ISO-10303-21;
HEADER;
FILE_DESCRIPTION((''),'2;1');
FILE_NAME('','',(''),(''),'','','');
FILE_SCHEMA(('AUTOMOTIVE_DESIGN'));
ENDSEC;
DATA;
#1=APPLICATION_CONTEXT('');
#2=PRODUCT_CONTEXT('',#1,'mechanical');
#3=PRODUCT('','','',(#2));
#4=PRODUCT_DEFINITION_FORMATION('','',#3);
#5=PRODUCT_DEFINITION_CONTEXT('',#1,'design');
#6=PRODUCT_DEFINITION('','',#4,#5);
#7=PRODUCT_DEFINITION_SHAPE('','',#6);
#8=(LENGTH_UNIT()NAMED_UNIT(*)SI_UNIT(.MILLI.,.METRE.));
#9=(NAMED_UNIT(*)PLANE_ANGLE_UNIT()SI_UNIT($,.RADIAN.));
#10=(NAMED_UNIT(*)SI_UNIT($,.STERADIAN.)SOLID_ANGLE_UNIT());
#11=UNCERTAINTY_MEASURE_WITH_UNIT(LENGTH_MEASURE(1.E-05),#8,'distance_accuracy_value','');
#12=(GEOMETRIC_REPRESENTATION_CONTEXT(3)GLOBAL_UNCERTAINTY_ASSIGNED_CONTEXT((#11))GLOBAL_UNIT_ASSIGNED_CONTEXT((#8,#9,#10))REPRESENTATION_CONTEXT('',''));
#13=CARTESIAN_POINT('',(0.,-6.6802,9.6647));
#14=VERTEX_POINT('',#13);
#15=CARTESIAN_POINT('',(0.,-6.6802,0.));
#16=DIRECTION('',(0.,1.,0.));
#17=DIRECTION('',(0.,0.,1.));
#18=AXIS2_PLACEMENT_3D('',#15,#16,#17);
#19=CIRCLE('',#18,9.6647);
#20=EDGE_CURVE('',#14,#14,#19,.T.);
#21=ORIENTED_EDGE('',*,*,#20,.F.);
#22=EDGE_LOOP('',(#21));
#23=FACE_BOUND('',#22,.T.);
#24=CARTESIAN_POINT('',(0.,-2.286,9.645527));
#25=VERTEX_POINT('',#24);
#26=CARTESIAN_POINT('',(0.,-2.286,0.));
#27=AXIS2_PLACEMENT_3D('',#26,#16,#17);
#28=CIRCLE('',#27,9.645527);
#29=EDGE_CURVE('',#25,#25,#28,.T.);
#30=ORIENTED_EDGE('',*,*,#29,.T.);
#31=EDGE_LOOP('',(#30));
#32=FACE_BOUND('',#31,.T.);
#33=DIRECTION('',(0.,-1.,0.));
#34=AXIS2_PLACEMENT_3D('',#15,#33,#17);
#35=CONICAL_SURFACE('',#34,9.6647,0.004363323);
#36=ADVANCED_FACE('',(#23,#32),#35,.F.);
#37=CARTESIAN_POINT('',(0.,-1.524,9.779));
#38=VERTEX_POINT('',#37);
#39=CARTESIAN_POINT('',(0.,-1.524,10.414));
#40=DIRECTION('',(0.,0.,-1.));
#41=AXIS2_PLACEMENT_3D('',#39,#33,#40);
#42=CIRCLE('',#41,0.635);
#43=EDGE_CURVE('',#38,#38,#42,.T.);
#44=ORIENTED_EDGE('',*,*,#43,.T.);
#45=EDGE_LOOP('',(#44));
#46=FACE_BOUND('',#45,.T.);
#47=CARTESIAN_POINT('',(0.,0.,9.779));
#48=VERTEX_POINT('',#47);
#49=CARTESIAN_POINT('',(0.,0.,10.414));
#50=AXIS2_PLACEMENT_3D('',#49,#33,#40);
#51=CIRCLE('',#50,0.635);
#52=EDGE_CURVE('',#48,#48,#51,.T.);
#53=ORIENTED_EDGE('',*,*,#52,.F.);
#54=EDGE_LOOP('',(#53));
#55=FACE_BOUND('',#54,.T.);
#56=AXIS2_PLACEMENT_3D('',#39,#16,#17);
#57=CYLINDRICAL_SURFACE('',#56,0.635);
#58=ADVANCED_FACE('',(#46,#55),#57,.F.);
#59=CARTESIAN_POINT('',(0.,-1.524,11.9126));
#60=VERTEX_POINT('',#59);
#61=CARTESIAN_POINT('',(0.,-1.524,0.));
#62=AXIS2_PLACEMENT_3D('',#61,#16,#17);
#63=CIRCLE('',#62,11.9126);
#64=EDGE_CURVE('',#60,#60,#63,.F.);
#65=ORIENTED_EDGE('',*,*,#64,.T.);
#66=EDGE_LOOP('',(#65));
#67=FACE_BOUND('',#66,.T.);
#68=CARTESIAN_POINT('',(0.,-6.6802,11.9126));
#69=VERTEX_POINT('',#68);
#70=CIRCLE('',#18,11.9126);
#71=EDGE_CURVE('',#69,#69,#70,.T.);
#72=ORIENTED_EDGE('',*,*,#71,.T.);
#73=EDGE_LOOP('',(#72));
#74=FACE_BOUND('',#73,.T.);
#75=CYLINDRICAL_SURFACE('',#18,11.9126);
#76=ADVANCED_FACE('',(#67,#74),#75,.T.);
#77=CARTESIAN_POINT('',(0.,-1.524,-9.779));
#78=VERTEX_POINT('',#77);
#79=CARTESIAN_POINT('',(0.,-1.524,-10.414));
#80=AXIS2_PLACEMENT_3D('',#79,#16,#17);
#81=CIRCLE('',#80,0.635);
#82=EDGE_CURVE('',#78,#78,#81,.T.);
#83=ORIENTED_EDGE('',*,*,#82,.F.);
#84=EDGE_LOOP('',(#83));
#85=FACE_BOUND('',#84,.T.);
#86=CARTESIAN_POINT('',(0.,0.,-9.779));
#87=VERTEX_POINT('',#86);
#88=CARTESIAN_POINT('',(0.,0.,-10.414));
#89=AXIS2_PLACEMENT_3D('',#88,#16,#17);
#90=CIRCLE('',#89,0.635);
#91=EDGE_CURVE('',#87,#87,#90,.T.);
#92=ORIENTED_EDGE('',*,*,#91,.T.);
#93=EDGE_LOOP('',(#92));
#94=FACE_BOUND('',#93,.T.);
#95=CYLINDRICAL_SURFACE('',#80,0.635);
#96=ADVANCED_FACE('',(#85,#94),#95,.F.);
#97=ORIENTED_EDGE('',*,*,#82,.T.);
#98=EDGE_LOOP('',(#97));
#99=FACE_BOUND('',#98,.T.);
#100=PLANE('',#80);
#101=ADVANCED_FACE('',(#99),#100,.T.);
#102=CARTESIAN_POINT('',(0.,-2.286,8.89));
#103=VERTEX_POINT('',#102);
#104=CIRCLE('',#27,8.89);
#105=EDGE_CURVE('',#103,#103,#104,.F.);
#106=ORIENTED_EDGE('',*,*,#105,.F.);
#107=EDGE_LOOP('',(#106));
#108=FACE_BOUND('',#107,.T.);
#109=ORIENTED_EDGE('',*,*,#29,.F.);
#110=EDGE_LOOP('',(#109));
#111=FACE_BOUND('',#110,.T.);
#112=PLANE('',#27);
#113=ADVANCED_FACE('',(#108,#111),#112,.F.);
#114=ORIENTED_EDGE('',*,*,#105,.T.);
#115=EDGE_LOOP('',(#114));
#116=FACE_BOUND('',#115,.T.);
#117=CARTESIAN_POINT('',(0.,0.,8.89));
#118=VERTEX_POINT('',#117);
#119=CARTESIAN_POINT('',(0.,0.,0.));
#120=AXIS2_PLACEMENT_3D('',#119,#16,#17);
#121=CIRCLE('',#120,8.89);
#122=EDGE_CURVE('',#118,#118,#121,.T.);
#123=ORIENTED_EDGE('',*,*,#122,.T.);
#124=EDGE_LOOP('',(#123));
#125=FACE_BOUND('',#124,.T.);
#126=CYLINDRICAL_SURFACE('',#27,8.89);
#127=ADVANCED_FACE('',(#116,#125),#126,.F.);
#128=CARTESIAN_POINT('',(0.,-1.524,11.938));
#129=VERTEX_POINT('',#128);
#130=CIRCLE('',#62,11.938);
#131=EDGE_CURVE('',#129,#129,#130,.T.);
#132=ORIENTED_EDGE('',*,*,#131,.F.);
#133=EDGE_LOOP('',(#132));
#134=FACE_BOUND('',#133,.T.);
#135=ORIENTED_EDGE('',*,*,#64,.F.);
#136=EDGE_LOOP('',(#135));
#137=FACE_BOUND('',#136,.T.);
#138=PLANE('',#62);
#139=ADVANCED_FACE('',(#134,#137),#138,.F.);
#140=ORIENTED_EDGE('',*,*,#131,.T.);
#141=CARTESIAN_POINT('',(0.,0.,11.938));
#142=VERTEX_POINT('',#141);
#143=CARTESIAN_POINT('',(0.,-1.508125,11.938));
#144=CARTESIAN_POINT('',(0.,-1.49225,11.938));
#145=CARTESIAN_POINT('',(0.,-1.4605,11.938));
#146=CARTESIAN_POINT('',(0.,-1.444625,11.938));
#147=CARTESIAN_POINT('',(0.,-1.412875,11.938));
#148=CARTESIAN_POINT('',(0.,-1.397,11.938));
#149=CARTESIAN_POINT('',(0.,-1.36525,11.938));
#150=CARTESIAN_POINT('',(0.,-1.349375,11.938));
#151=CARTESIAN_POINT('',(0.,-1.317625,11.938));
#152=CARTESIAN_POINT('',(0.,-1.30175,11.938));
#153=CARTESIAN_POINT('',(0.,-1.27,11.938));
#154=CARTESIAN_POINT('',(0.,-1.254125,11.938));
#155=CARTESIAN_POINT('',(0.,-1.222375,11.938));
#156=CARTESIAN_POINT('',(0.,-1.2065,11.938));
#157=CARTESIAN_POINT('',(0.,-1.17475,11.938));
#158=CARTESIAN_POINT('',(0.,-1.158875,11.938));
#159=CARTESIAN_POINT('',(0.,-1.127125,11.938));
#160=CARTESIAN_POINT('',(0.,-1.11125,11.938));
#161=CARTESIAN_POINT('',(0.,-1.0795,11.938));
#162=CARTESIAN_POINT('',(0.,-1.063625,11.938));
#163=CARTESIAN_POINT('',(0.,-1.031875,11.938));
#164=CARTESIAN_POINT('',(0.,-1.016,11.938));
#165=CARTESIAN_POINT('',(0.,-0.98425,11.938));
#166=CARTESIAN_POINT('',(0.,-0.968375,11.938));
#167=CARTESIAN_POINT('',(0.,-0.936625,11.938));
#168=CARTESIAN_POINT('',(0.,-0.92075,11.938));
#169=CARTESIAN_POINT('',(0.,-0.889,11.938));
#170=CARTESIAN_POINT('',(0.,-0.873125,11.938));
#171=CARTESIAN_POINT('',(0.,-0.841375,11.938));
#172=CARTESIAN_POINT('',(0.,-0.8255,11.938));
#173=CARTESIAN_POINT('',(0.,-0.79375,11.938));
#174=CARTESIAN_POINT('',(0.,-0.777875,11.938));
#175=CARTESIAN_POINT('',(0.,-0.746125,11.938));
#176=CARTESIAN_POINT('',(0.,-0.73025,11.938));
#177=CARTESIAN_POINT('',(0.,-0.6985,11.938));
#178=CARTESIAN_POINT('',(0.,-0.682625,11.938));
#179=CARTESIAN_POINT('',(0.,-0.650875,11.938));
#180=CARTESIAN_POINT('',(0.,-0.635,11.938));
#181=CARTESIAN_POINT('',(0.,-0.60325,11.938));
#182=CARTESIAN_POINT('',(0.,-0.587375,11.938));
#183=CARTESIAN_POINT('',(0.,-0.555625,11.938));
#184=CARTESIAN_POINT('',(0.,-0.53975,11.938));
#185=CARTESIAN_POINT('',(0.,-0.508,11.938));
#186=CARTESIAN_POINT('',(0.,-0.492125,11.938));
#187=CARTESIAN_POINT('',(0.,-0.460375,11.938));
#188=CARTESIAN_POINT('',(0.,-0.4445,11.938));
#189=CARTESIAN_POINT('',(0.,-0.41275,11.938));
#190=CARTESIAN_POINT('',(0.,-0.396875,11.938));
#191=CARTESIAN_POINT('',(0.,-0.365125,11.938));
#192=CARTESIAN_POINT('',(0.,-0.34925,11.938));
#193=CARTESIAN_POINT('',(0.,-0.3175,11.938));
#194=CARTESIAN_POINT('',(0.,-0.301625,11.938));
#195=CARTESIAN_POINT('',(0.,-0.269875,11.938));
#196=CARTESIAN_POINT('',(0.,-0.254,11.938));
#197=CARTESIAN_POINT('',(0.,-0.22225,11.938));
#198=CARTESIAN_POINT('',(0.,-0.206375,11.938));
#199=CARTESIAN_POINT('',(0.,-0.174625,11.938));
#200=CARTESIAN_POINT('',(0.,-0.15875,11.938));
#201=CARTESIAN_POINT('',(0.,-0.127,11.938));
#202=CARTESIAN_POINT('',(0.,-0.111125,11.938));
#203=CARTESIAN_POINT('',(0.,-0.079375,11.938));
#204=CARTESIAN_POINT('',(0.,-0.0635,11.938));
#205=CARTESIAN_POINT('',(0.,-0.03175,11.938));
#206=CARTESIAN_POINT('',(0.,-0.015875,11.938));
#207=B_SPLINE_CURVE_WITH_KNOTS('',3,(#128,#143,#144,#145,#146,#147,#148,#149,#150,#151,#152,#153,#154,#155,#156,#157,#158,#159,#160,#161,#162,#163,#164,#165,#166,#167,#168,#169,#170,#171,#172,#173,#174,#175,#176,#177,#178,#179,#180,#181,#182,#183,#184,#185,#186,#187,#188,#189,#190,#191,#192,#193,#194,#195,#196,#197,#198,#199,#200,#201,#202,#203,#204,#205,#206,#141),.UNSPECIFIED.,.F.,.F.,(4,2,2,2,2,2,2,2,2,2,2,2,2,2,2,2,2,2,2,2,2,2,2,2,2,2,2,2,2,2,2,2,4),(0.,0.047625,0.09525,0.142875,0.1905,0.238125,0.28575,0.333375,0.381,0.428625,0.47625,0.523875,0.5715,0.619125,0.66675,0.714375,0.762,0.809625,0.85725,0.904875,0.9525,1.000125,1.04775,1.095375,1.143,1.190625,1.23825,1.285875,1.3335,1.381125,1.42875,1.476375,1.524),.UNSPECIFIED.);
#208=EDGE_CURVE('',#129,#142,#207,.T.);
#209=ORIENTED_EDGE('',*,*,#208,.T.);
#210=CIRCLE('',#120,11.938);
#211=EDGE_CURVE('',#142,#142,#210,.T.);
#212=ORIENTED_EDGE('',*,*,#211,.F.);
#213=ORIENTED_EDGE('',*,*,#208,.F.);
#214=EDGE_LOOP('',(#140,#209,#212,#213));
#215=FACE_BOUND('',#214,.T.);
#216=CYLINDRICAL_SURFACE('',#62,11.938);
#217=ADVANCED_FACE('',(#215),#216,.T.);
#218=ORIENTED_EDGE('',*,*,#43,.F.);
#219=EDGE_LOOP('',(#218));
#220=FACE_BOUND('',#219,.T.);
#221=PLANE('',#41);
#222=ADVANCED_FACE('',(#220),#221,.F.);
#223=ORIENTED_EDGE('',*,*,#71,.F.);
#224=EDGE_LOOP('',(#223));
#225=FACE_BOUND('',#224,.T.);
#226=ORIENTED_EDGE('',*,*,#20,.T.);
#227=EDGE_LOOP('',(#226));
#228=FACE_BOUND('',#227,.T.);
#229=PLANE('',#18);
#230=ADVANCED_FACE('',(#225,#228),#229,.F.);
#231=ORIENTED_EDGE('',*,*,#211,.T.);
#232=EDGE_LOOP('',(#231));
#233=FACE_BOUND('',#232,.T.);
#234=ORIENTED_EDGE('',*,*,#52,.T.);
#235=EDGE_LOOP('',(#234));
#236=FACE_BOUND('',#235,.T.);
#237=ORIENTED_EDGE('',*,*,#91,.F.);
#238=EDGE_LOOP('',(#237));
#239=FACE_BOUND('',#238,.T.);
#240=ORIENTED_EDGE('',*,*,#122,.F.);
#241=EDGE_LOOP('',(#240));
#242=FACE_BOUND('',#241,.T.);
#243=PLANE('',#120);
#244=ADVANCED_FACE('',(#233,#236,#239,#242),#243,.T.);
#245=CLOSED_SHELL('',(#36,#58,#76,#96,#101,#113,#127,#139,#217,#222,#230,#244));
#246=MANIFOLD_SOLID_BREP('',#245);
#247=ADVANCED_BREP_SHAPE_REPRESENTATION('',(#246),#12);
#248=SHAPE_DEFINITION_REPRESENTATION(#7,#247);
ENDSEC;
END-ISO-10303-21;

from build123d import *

# Parameters (mm, degrees)
SKETCH1_R         = 11.9126
SHAFT_DEPTH       = 6.6802
SKETCH4_R         = 11.938
CAP_DEPTH         = 1.524
SKETCH7_R         = 8.89
TOP_HOLE_DEPTH    = 2.286
SKETCH8_R         = 9.6647
BOTTOM_HOLE_DEPTH = 18.445362755
DRAFT1_ANGLE      = 0.25
SKETCH9_R         = 0.635
SIDE_HOLES_DEPTH  = 1.524


with BuildPart() as part:
    # Sketch1 → Shaft (new body)
    with BuildSketch(Plane(origin=(0, 0, 0), x_dir=(1, 0, 0), z_dir=(0, 1, 0))):
        Circle(SKETCH1_R)
    extrude(amount=-SHAFT_DEPTH)

    # Sketch4 → Cap (add)
    with BuildSketch(Plane(origin=(0, 0, 0), x_dir=(-1, 0, 0), z_dir=(0, 1, 0))):
        Circle(SKETCH4_R)
    extrude(amount=-CAP_DEPTH)

    # Sketch7 → Top Hole (cut)
    with BuildSketch(Plane(origin=(0, 0, 0), x_dir=(-1, 0, 0), z_dir=(0, 1, 0))):
        Circle(SKETCH7_R)
    extrude(amount=-TOP_HOLE_DEPTH, mode=Mode.SUBTRACT)

    # Sketch8 → Bottom Hole (cut, through all)
    with BuildSketch(Plane(origin=(0, -2.286, 0), x_dir=(-1, 0, 0), z_dir=(0, 1, 0))):
        Circle(SKETCH8_R)
    extrude(amount=-BOTTOM_HOLE_DEPTH, mode=Mode.SUBTRACT)

    # Draft1
    draft1_faces = [part.faces().sort_by_distance(p)[0] for p in [
        (9.6647, -4.4831, 0),
    ]]
    draft(draft1_faces, Plane(origin=(0, -6.6802, 0), x_dir=(0, 0, -1), z_dir=(0, -1, 0)), DRAFT1_ANGLE)

    # Sketch9 → Side Holes (cut)
    with BuildSketch(Plane(origin=(0, 0, 0), x_dir=(-1, 0, 0), z_dir=(0, 1, 0))):
        with Locations((0, -10.414)):
            Circle(SKETCH9_R)
        with Locations((0, 10.414)):
            Circle(SKETCH9_R)
    extrude(amount=-SIDE_HOLES_DEPTH, mode=Mode.SUBTRACT)


solid = part.part
